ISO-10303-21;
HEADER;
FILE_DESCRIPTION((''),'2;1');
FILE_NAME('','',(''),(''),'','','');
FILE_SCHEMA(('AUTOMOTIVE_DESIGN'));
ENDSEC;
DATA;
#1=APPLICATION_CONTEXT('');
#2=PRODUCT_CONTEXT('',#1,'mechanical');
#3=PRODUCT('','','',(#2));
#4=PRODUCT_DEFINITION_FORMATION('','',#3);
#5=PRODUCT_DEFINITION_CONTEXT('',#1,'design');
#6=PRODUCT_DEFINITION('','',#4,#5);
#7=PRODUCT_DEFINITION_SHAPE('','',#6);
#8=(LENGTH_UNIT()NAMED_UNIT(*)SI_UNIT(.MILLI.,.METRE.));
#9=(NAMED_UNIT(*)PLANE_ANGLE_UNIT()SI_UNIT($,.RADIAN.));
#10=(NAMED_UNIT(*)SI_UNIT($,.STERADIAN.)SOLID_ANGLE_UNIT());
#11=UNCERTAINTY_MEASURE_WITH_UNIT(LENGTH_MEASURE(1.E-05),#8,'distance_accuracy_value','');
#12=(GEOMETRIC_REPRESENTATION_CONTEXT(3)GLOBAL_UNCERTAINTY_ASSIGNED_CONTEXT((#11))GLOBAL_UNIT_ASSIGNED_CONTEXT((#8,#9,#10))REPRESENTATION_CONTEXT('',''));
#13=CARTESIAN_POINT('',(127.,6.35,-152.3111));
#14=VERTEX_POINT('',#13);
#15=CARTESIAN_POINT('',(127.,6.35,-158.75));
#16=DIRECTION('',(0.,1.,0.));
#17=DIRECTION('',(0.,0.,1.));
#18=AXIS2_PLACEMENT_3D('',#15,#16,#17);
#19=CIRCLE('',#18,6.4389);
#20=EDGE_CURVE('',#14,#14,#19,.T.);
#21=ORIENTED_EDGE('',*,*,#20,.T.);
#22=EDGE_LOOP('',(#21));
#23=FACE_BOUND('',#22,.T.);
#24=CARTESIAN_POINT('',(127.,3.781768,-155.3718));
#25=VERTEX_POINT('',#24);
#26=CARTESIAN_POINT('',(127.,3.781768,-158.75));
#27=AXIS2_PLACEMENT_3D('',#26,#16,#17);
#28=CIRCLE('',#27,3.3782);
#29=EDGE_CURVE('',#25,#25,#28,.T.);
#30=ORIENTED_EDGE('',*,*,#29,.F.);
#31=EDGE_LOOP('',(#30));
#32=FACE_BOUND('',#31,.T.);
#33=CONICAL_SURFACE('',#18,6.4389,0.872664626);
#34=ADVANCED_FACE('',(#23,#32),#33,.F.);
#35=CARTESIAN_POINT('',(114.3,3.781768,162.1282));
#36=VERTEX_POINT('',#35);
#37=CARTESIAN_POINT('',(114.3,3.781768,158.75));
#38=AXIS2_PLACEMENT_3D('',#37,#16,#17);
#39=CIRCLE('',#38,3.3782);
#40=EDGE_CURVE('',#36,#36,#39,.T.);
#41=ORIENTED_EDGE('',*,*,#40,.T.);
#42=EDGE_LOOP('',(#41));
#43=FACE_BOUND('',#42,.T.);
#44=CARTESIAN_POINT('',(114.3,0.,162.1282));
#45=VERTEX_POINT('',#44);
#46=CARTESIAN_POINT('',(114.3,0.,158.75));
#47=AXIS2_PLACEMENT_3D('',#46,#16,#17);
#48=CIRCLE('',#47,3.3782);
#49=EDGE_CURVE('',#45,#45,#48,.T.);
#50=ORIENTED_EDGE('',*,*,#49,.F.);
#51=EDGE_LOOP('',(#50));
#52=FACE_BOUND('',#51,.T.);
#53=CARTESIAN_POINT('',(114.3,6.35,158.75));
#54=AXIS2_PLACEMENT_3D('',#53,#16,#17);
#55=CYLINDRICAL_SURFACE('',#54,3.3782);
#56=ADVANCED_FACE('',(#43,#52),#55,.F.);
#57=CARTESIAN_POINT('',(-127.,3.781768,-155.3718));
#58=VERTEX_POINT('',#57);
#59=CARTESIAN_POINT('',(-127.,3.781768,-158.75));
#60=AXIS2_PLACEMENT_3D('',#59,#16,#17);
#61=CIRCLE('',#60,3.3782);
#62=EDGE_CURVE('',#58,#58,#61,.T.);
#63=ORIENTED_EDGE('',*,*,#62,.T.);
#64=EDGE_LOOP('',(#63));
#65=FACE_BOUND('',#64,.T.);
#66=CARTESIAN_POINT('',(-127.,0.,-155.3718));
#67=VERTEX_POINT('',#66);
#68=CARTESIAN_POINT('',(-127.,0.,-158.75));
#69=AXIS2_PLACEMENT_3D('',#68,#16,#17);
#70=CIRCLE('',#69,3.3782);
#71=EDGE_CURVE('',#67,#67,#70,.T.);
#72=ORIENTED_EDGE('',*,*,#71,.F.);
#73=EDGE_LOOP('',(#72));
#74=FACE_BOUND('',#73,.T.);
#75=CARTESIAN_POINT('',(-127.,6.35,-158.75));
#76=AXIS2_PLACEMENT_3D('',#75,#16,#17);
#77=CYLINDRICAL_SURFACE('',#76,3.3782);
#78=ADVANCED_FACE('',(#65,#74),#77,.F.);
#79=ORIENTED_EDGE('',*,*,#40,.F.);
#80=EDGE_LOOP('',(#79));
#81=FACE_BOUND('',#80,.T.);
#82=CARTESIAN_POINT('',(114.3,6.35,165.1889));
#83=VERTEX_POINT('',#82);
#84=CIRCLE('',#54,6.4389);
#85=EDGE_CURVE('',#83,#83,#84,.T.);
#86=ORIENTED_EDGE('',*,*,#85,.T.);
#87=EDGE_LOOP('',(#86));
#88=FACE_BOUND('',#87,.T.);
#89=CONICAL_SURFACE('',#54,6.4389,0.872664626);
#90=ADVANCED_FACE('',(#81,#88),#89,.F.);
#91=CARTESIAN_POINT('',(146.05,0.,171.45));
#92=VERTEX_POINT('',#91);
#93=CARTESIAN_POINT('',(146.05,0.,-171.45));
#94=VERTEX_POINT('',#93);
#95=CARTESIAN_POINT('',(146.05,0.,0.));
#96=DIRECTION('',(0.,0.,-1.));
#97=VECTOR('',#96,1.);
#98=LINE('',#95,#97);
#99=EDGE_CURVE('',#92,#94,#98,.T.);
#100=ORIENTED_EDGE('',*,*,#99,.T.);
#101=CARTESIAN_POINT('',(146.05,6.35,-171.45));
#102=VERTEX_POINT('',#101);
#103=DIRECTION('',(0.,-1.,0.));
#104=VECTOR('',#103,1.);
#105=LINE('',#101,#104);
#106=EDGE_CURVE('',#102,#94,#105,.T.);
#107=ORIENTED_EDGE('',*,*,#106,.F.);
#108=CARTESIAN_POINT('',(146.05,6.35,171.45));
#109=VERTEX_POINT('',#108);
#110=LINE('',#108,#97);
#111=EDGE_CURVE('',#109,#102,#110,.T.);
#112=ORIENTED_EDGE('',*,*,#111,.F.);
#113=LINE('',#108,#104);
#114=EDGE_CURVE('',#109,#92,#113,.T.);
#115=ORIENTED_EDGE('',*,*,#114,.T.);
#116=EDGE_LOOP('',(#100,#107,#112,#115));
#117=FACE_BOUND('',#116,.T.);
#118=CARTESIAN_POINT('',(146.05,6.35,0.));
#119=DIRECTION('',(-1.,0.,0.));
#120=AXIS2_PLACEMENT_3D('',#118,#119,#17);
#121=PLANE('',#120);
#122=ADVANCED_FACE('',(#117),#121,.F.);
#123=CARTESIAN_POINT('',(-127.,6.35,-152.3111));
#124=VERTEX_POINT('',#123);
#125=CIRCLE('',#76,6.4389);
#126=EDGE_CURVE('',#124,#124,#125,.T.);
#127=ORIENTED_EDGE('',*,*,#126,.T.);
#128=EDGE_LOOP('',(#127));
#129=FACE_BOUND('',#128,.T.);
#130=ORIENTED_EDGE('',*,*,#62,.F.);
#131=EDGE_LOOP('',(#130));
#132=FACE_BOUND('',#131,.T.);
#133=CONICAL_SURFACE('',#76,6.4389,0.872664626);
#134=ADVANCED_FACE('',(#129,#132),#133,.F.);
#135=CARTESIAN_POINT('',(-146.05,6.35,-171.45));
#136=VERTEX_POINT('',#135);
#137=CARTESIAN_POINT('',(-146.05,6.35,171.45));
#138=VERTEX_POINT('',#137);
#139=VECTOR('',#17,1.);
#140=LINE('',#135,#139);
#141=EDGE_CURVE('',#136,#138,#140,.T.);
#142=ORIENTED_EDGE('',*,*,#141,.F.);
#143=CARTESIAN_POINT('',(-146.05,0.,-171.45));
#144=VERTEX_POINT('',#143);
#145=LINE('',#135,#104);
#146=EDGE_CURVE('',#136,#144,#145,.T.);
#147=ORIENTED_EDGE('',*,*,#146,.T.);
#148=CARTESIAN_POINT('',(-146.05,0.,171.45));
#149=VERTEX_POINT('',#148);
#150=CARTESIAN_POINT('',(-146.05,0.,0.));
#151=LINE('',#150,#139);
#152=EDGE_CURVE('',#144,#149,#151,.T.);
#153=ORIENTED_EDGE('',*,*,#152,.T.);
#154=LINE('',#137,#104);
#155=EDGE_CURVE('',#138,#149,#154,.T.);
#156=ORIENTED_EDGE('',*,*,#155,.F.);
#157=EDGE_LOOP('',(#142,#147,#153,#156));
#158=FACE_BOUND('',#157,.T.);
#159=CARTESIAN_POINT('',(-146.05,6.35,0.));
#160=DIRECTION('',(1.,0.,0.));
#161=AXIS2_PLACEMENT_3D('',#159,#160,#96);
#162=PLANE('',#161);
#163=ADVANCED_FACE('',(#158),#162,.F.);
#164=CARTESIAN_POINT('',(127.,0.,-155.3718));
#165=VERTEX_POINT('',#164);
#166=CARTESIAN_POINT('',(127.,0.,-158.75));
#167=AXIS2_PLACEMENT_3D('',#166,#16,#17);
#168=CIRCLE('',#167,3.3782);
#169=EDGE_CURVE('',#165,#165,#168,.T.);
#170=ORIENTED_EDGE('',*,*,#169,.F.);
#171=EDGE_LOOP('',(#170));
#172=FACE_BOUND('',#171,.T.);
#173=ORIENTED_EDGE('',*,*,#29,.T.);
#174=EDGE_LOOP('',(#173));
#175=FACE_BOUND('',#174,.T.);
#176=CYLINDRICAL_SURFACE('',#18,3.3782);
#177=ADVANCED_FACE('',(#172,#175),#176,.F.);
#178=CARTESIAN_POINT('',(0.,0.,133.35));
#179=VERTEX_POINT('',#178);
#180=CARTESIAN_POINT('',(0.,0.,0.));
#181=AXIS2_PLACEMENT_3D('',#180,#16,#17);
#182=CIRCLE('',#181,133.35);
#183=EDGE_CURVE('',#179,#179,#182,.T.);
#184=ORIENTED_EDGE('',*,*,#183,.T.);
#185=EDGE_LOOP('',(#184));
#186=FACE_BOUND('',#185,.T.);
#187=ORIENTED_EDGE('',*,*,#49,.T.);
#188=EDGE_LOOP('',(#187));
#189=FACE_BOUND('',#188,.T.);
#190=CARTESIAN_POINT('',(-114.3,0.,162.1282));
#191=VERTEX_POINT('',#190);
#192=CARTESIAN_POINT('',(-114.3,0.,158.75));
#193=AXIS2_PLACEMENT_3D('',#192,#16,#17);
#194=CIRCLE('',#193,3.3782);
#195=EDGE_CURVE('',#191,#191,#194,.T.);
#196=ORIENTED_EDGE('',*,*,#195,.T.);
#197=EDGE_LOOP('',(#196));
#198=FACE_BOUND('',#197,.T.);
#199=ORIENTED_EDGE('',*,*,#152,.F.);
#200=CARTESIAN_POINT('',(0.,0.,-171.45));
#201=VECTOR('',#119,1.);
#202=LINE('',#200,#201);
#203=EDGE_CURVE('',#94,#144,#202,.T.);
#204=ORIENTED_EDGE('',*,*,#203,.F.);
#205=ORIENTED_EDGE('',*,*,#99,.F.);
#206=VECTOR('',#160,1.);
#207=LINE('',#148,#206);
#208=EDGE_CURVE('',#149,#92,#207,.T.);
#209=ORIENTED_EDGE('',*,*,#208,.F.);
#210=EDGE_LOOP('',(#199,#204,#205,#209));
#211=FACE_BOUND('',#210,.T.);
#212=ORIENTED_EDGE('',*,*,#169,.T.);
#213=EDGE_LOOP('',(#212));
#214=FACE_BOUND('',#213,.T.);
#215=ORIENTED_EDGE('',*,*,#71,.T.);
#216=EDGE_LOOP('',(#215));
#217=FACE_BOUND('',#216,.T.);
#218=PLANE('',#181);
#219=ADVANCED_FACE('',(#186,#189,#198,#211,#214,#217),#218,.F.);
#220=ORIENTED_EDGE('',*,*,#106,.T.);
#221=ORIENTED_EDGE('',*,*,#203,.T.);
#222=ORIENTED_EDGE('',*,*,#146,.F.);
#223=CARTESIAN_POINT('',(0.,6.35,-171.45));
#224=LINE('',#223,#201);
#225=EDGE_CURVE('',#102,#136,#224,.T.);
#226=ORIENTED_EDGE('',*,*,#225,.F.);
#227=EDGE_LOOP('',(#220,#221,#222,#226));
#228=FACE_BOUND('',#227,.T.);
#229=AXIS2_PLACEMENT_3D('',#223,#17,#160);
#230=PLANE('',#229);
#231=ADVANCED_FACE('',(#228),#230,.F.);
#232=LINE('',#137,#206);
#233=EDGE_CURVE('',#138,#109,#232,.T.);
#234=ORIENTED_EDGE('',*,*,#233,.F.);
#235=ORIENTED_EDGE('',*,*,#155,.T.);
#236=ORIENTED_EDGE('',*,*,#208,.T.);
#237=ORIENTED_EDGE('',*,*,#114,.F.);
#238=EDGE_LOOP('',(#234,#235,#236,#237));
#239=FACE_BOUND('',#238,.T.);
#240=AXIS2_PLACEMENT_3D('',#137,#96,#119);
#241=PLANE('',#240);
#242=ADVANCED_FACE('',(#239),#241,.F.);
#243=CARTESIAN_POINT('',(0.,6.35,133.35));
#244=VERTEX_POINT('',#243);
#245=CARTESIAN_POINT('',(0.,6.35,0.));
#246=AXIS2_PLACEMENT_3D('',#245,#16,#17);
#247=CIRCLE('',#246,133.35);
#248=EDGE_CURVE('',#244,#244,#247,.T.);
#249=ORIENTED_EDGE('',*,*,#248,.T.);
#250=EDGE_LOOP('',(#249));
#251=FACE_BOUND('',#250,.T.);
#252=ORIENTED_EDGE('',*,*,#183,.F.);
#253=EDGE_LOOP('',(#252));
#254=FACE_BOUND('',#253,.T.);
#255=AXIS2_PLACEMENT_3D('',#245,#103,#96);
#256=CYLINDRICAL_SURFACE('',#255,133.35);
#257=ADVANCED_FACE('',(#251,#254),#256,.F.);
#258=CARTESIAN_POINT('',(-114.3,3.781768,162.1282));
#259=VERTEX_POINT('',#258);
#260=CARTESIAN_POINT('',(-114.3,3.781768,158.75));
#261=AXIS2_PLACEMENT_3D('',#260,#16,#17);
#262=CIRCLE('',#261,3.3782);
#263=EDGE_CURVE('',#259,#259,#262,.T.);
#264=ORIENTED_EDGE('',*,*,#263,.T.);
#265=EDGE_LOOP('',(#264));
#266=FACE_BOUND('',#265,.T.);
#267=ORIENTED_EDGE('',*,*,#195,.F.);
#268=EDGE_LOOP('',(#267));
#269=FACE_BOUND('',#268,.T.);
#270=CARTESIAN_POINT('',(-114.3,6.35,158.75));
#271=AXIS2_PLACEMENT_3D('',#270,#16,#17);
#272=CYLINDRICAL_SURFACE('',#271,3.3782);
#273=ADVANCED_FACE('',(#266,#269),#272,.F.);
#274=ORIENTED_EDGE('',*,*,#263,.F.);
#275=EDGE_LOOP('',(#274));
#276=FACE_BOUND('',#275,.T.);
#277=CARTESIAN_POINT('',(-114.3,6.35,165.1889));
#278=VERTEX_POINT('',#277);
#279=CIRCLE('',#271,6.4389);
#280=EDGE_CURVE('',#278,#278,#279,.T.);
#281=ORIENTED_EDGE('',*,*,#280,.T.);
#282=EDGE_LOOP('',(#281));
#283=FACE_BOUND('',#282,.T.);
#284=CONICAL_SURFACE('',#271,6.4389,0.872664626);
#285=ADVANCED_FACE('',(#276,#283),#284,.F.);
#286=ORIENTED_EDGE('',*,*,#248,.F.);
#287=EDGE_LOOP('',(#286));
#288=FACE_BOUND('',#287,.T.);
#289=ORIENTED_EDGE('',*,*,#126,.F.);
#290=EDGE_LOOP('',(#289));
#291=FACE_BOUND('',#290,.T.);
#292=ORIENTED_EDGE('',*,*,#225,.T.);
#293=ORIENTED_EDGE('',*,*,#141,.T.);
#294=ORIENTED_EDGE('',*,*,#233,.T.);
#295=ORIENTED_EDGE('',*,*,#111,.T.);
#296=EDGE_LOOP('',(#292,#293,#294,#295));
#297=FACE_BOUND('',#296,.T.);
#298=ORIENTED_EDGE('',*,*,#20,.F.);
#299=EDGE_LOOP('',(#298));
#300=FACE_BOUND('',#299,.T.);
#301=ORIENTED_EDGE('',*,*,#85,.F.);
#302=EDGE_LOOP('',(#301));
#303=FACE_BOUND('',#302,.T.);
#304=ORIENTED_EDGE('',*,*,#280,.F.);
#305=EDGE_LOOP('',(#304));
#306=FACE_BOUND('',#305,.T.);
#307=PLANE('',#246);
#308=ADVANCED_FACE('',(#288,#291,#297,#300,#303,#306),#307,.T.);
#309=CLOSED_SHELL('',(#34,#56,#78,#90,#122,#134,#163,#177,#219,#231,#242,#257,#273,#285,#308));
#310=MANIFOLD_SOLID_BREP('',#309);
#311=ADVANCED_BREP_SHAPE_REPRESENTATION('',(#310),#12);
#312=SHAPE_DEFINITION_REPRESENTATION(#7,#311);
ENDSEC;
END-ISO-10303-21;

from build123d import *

# Parameters (mm, degrees)
SKETCH1_R                                           = 133.35
EXTRUDE_CENTER_HOLE_DEPTH                           = 6.35
CSK_FOR_1_4_FLAT_HEAD_MACHINE_SCREW_100_D           = 6.7564
CSK_FOR_1_4_FLAT_HEAD_MACHINE_SCREW_100_CSINK_D     = 12.8778
CSK_FOR_1_4_FLAT_HEAD_MACHINE_SCREW_100_CSINK_ANGLE = 100


with BuildPart() as part:
    # Sketch1 → Extrude & center hole (new body)
    with BuildSketch(Plane(origin=(0, 0, 0), x_dir=(1, 0, 0), z_dir=(0, 1, 0))):
        Polygon((0, 171.45), (146.05, 171.45), (146.05, 0), (146.05, -171.45), (-146.05, -171.45), (-146.05, 0), (-146.05, 171.45), align=None)
        Circle(SKETCH1_R, mode=Mode.SUBTRACT)
    extrude(amount=EXTRUDE_CENTER_HOLE_DEPTH)

    # CSK for 1/4 Flat Head Machine Screw (100)1 (through all)
    with Locations(Plane(origin=(0, 6.35, 0), x_dir=(1, 0, 0), z_dir=(0, 1, 0))):
        with Locations((-114.3, -158.75), (114.3, -158.75), (127, 158.75), (-127, 158.75)):
            CounterSinkHole(CSK_FOR_1_4_FLAT_HEAD_MACHINE_SCREW_100_D / 2, CSK_FOR_1_4_FLAT_HEAD_MACHINE_SCREW_100_CSINK_D / 2, counter_sink_angle=CSK_FOR_1_4_FLAT_HEAD_MACHINE_SCREW_100_CSINK_ANGLE)


solid = part.part
